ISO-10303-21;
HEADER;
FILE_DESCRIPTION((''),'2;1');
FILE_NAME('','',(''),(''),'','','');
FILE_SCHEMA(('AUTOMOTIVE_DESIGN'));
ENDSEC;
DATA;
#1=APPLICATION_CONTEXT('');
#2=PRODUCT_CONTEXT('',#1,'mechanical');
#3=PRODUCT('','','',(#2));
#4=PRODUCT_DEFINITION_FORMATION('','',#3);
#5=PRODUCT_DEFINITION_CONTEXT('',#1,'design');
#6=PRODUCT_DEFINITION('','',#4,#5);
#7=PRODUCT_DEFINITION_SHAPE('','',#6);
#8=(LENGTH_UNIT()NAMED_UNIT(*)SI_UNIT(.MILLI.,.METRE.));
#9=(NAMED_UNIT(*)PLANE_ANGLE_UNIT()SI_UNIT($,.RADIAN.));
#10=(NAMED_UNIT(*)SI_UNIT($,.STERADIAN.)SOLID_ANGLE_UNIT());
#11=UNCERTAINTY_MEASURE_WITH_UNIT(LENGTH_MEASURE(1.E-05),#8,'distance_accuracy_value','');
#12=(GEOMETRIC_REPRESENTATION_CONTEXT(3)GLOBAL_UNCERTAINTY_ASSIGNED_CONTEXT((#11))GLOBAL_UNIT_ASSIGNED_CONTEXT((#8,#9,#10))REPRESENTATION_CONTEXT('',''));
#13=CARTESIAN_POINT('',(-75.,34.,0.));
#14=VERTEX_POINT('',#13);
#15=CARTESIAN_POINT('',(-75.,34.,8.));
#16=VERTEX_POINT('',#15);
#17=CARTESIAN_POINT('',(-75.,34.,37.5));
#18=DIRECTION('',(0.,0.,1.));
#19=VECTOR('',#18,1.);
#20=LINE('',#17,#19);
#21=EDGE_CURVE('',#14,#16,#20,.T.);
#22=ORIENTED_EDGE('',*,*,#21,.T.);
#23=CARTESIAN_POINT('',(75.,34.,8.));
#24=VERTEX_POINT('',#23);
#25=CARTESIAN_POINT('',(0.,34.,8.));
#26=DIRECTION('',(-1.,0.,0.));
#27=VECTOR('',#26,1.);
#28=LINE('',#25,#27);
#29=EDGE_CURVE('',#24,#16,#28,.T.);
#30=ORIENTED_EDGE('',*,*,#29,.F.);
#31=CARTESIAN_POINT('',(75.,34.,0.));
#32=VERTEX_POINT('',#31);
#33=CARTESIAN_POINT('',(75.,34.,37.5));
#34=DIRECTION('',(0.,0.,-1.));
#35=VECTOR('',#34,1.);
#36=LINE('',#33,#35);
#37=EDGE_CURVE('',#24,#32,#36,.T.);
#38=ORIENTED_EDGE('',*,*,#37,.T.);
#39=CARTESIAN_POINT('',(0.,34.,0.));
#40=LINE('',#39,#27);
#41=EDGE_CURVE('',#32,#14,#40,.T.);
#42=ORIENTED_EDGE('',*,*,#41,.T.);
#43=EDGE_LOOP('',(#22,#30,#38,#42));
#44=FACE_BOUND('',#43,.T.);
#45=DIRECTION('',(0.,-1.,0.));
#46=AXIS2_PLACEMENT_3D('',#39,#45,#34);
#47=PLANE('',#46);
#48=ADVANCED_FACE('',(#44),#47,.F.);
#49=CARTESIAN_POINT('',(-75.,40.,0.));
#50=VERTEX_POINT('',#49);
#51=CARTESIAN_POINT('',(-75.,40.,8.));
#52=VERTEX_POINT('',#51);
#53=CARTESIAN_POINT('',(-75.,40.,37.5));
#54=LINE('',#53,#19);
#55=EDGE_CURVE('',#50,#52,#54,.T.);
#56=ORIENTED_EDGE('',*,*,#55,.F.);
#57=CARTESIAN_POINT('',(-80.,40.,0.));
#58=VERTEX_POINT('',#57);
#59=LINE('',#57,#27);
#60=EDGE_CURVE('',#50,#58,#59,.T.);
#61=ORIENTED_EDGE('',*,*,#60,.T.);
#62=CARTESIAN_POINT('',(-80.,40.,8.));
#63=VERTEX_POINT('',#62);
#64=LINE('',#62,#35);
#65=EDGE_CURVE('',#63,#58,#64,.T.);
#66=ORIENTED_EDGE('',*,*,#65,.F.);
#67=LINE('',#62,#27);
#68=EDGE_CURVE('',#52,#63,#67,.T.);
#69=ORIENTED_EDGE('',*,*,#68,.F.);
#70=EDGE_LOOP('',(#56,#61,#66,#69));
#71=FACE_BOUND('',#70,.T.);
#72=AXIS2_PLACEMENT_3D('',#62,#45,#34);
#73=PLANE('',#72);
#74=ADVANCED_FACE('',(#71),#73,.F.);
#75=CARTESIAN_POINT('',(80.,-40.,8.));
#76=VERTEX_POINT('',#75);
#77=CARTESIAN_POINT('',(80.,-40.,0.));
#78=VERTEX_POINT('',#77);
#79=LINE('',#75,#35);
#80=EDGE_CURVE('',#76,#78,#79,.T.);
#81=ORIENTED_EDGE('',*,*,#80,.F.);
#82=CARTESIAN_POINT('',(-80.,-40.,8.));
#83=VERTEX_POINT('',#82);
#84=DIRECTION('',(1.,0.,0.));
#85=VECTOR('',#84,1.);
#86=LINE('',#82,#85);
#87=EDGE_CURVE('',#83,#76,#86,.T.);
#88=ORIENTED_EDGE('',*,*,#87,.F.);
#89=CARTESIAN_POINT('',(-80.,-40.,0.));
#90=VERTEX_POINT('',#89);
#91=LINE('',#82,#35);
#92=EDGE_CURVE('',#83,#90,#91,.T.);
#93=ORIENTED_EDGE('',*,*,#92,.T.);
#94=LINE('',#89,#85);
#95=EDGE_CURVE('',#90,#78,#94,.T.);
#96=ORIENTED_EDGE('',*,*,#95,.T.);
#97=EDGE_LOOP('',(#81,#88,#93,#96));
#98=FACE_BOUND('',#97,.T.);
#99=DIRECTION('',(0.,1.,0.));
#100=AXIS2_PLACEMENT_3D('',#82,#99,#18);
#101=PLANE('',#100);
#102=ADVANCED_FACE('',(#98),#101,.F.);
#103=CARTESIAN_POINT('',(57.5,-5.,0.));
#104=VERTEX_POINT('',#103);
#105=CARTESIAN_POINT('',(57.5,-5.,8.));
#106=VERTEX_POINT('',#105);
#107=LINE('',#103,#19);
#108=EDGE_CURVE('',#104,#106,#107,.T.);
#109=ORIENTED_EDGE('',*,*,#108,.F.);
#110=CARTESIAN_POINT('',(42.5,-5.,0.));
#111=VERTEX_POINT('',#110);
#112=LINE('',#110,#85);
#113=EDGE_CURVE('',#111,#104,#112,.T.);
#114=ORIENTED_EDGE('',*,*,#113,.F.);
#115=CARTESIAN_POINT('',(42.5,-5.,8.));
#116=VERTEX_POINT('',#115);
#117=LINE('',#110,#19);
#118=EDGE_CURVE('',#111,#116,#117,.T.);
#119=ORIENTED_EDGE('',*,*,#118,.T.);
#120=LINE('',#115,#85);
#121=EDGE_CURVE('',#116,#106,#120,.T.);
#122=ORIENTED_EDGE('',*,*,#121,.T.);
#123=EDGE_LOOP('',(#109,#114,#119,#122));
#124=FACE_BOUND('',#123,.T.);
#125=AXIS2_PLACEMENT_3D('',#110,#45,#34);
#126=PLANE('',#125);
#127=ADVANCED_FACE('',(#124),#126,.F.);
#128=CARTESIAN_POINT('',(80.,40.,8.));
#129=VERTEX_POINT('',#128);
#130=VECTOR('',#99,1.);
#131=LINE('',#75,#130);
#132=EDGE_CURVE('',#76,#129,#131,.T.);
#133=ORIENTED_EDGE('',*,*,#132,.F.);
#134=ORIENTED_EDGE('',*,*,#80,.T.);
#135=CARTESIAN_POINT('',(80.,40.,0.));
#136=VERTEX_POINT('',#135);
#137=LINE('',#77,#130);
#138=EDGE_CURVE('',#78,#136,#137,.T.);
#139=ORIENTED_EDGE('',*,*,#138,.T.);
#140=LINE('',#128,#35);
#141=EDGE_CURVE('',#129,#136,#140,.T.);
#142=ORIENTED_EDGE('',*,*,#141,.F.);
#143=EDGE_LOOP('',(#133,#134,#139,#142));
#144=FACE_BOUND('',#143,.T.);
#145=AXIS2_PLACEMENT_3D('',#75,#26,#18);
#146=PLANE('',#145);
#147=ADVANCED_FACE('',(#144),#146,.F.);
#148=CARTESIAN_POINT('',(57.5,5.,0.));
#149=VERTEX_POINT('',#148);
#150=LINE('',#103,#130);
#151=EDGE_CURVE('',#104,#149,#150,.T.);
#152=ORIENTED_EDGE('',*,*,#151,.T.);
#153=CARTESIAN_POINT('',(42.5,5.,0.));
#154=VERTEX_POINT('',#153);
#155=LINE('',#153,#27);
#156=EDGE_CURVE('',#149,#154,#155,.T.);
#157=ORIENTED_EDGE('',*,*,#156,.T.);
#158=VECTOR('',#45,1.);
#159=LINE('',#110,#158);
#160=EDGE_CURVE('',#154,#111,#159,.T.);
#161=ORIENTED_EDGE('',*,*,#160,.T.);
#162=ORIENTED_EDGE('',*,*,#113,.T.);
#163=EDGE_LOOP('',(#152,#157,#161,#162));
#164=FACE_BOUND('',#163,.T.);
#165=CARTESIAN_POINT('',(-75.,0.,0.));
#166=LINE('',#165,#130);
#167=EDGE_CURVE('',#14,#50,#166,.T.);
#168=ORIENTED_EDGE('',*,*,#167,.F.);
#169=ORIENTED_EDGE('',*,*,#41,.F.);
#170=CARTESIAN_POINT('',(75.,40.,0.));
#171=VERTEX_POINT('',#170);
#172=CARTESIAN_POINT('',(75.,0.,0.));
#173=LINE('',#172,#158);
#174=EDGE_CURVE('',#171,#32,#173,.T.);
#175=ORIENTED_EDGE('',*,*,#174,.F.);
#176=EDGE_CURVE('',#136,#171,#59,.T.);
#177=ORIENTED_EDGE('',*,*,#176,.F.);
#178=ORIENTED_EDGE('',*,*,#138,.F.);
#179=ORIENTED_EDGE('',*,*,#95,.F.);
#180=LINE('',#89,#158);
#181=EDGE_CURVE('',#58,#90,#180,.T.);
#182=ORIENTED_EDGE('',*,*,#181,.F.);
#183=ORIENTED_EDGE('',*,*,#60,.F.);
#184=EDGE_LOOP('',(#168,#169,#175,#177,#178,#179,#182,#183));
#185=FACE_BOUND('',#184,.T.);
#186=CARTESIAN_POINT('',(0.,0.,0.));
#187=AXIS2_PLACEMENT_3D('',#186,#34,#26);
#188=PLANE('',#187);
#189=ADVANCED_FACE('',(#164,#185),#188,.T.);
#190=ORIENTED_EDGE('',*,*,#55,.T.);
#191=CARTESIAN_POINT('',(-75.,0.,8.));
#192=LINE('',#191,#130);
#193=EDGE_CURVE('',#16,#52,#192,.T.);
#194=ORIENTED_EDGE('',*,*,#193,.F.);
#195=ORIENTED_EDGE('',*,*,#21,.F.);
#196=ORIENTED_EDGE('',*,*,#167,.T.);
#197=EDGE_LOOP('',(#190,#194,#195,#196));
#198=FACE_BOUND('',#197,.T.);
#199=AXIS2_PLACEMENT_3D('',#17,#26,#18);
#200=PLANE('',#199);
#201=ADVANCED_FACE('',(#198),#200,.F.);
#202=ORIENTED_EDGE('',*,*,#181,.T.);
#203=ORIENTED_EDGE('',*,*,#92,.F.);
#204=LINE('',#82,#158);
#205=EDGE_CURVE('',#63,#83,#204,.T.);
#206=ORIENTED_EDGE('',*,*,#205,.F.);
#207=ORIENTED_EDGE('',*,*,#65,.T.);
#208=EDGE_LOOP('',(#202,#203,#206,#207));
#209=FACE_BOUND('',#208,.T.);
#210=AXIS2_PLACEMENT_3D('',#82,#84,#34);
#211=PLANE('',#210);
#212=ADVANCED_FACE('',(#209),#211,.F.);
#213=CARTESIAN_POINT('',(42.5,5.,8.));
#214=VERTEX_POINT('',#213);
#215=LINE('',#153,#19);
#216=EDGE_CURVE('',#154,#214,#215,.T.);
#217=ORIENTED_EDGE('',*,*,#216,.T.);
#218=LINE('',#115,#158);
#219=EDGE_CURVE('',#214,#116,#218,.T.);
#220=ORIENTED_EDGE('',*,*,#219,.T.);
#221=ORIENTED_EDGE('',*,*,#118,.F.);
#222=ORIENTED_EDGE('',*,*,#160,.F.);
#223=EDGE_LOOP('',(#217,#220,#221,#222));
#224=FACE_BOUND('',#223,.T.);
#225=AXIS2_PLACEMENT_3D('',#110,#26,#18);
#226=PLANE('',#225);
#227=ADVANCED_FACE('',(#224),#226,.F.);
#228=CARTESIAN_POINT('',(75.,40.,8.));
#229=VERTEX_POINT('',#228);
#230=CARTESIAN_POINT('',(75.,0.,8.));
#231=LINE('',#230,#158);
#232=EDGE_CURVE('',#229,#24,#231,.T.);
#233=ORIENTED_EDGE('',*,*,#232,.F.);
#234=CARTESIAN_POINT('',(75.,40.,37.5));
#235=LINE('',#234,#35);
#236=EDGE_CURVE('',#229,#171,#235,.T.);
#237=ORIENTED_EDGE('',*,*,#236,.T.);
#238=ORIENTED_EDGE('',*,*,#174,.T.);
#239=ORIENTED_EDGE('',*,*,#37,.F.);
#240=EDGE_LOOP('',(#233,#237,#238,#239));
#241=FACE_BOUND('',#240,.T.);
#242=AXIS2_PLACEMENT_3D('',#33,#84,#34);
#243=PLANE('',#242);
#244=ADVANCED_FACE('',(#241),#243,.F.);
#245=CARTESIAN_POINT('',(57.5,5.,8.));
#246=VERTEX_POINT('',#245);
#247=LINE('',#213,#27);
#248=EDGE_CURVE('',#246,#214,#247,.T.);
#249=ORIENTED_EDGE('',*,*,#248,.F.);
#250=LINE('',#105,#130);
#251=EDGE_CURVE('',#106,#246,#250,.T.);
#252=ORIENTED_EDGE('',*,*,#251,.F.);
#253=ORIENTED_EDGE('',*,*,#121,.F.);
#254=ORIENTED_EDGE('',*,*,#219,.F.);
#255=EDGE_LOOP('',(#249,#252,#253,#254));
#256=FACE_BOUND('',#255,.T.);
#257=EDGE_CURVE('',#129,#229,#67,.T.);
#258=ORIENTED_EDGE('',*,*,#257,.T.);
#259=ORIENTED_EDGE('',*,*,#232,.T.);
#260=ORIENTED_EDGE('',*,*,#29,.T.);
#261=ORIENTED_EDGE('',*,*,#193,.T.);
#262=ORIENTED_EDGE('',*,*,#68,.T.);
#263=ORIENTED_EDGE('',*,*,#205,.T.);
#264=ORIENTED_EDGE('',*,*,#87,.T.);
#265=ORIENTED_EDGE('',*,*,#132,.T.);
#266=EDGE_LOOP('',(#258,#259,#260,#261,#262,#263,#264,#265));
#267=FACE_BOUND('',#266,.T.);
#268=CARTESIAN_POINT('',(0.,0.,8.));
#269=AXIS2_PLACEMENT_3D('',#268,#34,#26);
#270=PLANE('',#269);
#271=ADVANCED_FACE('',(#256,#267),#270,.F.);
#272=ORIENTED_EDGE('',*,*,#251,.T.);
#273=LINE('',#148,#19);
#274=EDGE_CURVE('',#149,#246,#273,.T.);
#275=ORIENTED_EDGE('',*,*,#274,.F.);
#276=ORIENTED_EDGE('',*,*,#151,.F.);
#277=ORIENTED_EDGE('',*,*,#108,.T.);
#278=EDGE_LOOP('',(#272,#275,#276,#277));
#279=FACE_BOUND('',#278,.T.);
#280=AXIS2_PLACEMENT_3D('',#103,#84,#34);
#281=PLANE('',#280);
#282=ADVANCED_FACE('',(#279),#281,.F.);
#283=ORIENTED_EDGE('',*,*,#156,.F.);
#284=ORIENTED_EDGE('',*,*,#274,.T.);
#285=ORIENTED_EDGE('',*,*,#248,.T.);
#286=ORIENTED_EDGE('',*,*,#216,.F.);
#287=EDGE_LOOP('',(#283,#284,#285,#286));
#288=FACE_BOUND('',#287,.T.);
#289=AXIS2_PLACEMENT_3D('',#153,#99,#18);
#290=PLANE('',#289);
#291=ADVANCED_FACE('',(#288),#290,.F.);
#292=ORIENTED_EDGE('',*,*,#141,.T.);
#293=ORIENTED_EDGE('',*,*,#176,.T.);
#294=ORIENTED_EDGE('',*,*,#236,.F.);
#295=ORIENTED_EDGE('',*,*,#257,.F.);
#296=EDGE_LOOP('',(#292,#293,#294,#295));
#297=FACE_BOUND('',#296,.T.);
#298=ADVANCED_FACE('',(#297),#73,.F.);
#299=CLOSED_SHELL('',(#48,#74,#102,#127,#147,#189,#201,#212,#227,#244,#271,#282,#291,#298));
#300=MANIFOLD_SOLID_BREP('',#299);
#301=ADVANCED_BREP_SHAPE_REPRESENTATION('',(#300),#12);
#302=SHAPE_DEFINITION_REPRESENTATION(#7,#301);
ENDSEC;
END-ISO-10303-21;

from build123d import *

# Parameters (mm, degrees)
SKETCH_1_W          = 160
SKETCH_1_H          = 80
EXTRUDE_1_DEPTH     = 8
SKETCH_2_W          = 150
SKETCH_2_H          = 75
CUT_EXTRUDE_1_DEPTH = 6
SKETCH_3_W          = 15
SKETCH_3_H          = 10
CUT_EXTRUDE_2_DEPTH = 90.799777283


with BuildPart() as part:
    # 草图1 → 凸台-拉伸1 (new body)
    with BuildSketch(Plane.XY):
        Rectangle(SKETCH_1_W, SKETCH_1_H)
    extrude(amount=EXTRUDE_1_DEPTH)

    # 草图2 → 切除-拉伸1 (cut)
    with BuildSketch(Plane(origin=(0, 40, 0), x_dir=(1, 0, 0), z_dir=(0, 1, 0))):
        Rectangle(SKETCH_2_W, SKETCH_2_H)
    extrude(amount=-CUT_EXTRUDE_1_DEPTH, mode=Mode.SUBTRACT)

    # 草图3 → 切除-拉伸2 (cut, through all)
    with BuildSketch(Plane.XY.offset(8)):
        with Locations((50, 0)):
            Rectangle(SKETCH_3_W, SKETCH_3_H)
    extrude(amount=-CUT_EXTRUDE_2_DEPTH, mode=Mode.SUBTRACT)


solid = part.part
